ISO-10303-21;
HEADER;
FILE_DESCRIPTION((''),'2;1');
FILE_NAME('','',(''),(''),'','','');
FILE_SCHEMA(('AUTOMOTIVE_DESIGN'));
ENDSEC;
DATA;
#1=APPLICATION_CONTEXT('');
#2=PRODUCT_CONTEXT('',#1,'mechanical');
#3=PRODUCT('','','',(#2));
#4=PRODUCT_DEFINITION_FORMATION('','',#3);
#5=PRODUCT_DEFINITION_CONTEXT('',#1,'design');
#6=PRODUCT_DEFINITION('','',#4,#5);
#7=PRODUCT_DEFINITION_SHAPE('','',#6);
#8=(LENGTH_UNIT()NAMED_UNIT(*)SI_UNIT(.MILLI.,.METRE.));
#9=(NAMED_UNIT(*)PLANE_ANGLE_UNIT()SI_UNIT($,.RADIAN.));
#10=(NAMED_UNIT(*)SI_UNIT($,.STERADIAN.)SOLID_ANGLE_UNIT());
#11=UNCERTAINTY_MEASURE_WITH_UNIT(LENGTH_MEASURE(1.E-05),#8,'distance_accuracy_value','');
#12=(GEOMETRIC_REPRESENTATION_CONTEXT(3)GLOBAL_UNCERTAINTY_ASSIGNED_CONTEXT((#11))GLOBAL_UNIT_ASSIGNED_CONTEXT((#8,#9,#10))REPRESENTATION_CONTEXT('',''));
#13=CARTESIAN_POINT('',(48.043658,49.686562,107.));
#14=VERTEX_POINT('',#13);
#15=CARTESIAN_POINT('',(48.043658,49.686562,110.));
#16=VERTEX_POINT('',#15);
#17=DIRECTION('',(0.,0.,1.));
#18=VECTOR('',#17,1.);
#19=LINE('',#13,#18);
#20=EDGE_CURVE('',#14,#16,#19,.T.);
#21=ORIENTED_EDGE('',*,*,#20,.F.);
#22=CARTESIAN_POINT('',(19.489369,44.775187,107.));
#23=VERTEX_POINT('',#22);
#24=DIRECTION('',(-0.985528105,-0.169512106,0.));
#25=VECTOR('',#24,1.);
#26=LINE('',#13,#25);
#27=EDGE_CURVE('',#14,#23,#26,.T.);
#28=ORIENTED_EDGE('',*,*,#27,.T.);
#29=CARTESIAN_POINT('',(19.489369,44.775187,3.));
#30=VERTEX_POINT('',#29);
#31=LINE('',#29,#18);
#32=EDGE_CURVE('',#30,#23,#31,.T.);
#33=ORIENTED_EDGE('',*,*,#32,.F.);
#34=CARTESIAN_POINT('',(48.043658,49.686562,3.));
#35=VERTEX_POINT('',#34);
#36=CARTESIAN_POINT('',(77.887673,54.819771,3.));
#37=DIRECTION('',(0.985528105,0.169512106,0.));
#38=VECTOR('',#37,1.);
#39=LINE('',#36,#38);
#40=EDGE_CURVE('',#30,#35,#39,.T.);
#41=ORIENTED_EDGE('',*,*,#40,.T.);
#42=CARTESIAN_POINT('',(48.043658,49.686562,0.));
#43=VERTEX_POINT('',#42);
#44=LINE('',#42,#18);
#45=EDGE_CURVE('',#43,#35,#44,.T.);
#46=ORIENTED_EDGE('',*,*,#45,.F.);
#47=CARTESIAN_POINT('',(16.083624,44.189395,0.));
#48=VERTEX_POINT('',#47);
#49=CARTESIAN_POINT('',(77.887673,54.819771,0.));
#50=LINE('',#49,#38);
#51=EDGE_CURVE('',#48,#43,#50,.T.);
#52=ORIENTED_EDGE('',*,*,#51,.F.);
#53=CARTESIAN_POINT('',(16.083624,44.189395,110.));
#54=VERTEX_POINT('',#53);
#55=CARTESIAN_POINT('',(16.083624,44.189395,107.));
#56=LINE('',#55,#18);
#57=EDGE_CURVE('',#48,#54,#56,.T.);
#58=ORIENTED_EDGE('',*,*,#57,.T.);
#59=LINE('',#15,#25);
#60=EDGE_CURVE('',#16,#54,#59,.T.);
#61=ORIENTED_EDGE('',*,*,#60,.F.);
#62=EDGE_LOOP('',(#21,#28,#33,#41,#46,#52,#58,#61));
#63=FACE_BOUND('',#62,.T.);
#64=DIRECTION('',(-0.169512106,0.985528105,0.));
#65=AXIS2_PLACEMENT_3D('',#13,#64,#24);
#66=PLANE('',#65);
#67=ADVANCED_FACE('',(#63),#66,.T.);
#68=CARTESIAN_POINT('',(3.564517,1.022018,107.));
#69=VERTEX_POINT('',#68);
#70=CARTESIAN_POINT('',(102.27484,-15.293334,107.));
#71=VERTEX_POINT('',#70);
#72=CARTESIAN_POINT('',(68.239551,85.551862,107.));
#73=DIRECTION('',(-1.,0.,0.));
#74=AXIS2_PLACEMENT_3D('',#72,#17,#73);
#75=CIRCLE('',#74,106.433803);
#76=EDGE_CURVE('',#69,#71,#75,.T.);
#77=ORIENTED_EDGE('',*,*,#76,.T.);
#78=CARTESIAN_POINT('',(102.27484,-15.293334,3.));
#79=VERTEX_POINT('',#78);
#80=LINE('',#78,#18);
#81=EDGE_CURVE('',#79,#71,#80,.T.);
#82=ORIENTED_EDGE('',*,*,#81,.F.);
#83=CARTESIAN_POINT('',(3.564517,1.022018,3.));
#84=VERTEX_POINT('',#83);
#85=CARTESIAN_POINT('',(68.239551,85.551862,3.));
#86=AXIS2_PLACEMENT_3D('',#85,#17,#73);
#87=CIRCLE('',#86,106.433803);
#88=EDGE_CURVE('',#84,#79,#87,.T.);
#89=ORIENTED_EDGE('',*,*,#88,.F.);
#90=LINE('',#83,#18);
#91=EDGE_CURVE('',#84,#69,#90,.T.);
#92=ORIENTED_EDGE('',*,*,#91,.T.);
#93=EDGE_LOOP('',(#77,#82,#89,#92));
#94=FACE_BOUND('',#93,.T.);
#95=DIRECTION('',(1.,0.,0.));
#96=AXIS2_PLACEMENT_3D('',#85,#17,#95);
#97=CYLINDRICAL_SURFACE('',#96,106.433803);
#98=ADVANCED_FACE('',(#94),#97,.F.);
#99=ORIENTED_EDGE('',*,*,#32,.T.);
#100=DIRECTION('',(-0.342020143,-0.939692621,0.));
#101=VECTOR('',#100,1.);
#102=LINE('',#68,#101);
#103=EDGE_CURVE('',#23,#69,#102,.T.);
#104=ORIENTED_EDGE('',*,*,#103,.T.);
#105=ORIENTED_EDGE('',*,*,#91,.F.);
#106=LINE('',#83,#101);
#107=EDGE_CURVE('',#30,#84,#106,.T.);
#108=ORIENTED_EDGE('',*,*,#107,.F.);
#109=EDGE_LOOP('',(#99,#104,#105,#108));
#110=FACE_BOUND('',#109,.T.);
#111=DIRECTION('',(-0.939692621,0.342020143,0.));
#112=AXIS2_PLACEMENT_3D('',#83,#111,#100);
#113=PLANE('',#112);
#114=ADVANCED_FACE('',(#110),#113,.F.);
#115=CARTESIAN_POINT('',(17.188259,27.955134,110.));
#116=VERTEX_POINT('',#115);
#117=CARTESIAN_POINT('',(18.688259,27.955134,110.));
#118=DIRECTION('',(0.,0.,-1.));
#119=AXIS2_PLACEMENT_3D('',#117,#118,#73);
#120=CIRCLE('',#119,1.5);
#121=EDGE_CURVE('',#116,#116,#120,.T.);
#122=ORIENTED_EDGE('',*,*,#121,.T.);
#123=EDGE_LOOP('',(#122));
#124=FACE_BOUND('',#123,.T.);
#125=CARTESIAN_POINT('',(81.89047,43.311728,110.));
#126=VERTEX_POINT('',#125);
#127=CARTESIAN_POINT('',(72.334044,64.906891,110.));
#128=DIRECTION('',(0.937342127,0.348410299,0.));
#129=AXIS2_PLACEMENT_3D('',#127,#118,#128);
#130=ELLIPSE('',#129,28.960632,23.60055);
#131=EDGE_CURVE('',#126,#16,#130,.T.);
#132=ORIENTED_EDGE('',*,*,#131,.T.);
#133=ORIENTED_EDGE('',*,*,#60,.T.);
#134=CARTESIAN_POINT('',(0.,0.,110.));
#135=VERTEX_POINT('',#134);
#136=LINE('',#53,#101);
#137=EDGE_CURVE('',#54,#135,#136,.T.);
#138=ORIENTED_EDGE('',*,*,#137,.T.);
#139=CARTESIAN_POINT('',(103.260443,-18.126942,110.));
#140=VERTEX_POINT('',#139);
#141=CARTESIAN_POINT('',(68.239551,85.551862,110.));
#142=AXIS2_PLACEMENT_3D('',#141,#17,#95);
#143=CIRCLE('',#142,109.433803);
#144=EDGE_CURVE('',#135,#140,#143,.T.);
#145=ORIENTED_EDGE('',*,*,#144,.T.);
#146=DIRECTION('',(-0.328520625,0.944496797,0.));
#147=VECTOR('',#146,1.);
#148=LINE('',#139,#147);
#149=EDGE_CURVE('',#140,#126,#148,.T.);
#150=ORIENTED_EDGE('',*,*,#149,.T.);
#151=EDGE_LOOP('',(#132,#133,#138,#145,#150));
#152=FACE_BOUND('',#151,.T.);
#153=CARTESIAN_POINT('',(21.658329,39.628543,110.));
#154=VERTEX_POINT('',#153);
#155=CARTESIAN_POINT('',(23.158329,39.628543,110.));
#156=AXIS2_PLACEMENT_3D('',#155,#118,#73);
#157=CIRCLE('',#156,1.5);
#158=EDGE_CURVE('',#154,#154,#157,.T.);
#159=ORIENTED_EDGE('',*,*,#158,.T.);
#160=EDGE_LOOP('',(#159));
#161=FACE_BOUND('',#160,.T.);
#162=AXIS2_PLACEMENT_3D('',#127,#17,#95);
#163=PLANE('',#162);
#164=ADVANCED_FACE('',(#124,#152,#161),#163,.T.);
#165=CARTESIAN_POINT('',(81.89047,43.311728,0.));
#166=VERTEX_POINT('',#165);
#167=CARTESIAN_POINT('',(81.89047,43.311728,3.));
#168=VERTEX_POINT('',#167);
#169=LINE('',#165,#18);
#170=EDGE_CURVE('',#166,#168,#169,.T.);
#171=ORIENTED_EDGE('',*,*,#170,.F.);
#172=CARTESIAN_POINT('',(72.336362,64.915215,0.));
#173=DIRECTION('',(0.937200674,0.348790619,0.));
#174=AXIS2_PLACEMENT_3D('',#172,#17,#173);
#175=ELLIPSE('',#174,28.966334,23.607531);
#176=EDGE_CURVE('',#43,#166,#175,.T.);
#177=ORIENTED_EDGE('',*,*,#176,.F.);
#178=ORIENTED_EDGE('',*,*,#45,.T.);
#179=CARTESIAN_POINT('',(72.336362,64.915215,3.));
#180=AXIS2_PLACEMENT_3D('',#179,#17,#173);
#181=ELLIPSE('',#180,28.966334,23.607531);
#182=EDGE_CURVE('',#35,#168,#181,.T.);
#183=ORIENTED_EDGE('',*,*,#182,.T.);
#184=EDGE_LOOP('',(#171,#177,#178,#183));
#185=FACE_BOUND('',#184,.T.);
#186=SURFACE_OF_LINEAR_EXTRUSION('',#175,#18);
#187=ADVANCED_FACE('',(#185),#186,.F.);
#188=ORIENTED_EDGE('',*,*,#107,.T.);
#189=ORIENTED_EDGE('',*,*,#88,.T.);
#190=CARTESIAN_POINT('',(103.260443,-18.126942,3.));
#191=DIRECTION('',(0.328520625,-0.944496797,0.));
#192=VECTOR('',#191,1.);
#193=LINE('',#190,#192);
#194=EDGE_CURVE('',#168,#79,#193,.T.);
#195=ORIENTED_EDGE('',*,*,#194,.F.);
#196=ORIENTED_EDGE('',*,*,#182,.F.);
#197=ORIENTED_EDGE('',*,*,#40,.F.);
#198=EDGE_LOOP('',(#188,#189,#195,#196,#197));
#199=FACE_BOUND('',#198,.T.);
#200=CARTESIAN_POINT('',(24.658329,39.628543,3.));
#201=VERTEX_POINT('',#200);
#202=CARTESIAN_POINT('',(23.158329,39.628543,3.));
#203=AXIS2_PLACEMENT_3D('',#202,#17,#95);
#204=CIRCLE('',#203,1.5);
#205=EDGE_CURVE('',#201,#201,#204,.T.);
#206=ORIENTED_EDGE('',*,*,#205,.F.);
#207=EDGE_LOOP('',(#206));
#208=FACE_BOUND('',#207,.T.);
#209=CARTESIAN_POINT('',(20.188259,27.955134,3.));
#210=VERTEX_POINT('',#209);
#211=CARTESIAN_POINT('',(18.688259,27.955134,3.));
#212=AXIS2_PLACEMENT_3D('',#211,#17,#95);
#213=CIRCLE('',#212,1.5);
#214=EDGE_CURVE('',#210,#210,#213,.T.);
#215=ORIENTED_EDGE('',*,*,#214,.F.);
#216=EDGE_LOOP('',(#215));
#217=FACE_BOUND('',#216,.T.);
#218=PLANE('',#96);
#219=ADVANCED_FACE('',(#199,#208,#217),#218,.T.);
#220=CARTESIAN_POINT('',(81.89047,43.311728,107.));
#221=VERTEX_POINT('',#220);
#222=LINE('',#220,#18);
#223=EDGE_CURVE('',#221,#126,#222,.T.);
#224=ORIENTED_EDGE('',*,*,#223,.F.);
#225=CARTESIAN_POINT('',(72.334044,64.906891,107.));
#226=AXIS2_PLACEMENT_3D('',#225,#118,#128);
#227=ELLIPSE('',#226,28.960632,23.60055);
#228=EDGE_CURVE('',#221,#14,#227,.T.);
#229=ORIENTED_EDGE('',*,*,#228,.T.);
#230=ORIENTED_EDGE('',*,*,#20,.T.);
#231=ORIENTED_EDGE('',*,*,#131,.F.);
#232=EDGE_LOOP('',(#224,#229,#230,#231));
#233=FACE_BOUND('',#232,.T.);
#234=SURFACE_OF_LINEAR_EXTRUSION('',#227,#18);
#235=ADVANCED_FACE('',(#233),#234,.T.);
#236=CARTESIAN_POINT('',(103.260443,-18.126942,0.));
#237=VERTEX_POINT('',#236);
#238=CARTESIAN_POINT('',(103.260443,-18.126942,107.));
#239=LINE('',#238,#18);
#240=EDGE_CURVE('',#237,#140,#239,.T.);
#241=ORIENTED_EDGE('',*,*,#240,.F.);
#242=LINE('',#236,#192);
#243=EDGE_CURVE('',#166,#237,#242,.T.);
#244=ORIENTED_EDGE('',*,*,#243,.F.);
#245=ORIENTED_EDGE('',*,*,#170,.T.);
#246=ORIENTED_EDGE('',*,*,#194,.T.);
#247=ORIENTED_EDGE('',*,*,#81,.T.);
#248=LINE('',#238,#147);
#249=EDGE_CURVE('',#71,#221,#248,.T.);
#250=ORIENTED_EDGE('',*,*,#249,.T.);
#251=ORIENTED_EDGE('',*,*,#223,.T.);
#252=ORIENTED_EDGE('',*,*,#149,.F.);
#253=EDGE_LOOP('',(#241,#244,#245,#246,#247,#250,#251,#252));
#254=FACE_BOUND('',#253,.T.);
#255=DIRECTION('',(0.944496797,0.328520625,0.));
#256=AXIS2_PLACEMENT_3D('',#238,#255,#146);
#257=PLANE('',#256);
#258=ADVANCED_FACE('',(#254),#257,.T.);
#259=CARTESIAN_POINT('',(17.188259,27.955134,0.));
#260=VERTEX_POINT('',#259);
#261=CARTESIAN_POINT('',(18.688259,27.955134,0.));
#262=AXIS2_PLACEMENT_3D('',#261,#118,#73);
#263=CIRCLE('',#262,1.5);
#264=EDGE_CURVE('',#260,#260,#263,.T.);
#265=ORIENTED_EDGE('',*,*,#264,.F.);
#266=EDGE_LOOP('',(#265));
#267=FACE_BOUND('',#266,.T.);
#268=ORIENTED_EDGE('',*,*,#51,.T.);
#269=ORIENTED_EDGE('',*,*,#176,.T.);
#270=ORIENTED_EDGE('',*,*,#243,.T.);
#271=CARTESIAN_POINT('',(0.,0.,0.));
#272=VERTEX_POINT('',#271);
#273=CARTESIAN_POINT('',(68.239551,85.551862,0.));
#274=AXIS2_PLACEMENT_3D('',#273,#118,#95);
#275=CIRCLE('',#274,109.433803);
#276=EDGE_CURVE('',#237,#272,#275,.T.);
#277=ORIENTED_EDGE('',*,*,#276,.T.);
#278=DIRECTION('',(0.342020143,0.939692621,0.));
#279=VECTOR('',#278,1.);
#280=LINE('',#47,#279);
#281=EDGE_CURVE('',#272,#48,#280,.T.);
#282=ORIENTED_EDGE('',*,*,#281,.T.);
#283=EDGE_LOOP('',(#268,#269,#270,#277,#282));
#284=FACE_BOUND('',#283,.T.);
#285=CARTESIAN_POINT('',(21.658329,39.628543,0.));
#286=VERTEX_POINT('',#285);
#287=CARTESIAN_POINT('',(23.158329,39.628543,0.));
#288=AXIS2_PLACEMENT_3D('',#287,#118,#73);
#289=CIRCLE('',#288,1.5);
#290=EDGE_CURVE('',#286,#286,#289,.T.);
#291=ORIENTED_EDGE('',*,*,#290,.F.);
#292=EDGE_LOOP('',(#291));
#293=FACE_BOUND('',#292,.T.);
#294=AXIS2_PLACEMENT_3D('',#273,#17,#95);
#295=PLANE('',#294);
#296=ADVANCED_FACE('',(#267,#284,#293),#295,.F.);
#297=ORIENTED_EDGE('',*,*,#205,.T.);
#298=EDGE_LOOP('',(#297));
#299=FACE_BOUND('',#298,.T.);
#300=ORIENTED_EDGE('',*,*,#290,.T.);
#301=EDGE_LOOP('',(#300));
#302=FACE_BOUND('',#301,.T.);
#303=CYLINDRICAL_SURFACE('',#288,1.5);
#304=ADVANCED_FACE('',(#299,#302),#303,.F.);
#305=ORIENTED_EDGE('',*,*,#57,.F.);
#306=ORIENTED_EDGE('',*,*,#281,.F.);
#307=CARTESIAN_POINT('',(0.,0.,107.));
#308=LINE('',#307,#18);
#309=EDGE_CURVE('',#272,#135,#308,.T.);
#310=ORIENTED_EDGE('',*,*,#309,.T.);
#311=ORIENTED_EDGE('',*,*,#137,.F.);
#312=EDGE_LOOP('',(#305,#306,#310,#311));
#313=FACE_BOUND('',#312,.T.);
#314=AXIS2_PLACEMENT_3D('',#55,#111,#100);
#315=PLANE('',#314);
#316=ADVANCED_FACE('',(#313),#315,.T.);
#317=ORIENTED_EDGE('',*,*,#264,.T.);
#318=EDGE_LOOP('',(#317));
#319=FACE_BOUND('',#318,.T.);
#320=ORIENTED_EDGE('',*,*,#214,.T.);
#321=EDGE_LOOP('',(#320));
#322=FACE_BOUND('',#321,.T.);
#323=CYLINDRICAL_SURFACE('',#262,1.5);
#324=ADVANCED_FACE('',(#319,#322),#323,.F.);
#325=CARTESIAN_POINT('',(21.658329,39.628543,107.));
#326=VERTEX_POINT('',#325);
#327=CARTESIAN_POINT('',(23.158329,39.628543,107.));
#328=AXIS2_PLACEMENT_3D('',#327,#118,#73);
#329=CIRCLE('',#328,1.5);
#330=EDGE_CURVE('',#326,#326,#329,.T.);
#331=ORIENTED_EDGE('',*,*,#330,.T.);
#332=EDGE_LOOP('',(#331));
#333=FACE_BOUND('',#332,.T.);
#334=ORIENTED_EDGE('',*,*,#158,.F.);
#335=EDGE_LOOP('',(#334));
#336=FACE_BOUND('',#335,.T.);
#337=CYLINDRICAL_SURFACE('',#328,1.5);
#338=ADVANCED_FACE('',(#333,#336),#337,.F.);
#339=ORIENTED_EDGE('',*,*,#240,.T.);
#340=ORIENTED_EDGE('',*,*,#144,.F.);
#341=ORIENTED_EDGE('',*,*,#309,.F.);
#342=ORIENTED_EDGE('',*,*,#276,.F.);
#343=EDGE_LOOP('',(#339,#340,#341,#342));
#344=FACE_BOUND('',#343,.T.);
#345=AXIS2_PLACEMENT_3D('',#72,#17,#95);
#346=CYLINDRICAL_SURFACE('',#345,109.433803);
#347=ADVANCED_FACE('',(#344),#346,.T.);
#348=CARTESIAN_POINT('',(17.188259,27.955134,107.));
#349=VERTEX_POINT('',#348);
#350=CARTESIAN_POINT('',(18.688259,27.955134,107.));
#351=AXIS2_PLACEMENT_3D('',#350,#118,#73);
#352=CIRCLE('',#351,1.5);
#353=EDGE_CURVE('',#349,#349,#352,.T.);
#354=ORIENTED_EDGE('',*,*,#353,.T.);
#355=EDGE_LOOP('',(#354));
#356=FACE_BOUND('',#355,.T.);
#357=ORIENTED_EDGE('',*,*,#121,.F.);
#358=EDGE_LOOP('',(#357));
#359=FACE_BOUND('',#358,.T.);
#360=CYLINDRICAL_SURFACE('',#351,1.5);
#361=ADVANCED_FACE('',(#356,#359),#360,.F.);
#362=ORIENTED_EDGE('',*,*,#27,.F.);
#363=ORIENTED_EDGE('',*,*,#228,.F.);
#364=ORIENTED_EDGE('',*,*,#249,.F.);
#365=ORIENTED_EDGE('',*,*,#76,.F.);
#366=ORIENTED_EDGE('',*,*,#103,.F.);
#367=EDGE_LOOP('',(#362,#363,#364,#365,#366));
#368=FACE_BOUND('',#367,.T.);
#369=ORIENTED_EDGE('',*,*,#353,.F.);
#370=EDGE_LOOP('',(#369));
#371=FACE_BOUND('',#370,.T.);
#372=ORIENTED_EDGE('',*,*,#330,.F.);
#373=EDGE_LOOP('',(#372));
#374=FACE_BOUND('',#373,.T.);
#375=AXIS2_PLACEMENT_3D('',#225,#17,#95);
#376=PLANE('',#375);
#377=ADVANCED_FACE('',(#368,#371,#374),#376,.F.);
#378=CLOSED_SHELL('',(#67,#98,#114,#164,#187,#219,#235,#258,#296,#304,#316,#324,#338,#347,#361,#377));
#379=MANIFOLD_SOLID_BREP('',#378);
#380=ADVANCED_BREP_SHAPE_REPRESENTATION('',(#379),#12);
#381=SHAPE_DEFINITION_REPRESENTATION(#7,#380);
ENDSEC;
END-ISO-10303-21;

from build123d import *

# Parameters (mm, degrees)
EXTRUDE_1_DEPTH           = 3
EXTRUDE_2_DEPTH           = 104
EXTRUDE_3_DEPTH           = 3
CUT_EXTRUDE_1_DEPTH       = 159.483205287
HOLE_WIZARD_3_0_3_1_D     = 3
HOLE_WIZARD_3_0_3_1_DEPTH = 3
HOLE_WIZARD_3_0_3_2_D     = 3
HOLE_WIZARD_3_0_3_2_DEPTH = 110


with BuildPart() as part:
    # 草图1 → 凸台-拉伸1 (new body)
    with BuildSketch(Plane.XY.offset(110)):
        with BuildLine():
            Line((48.043658488, 49.686561818), (16.083624337, 44.189394688))
            Line((16.083624337, 44.189394688), (0, 0))
            ThreePointArc((0, 0), (49.31823123, -22.233763367), (103.260442774, -18.126942356))
            Line((103.260442774, -18.126942356), (81.890470472, 43.311728011))
            add(Edge.make_bspline(
                [(48.043658488, 49.686561818), (60.031404168, 34.166493651), (81.890470472, 43.311728011)],
                knots=[3.390052137, 3.390052137, 3.390052137, 4.76191312, 4.76191312, 4.76191312], degree=2, weights=[1, 0.773830015, 1]))
        make_face()
    extrude(amount=-EXTRUDE_1_DEPTH)

    # 草图2 → 凸台-拉伸2 (add)
    with BuildSketch(Plane(origin=(0, 0, 107), x_dir=(-1, 0, 0), z_dir=(0, 0, -1))):
        with BuildLine():
            Line((-3.564517285, 1.022017551), (-19.489368658, 44.775187108))
            Line((-19.489368658, 44.775187108), (-16.083624337, 44.189394688))
            Line((-16.083624337, 44.189394688), (0, 0))
            ThreePointArc((0, 0), (-49.31823123, -22.233763367), (-103.260442774, -18.126942356))
            Line((-103.260442774, -18.126942356), (-102.274839972, -15.293334302))
            ThreePointArc((-102.274839972, -15.293334302), (-50.883106444, -19.457225166), (-3.564517285, 1.022017551))
        make_face()
    extrude(amount=EXTRUDE_2_DEPTH)

    # 草图3 → 凸台-拉伸3 (add)
    with BuildSketch(Plane(origin=(0, 0, 3), x_dir=(-1, 0, 0), z_dir=(0, 0, -1))):
        with BuildLine():
            Line((-77.887672968, 54.819770834), (-16.083624337, 44.189394688))
            Line((-16.083624337, 44.189394688), (0, 0))
            ThreePointArc((0, 0), (-49.31823123, -22.233763367), (-103.260442774, -18.126942356))
            Line((-103.260442774, -18.126942356), (-77.887672968, 54.819770834))
        make_face()
    extrude(amount=EXTRUDE_3_DEPTH)

    # 草图4 → 切除-拉伸1 (cut, through all)
    with BuildSketch(Plane.XY.offset(3)):
        with BuildLine():
            Line((77.887672968, 54.819770834), (48.043658488, 49.686561818))
            add(Edge.make_bspline(
                [(48.043658488, 49.686561818), (60.032354081, 34.167172902), (81.890470472, 43.311728011)],
                knots=[3.389784889, 3.389784889, 3.389784889, 4.7613973, 4.7613973, 4.7613973], degree=2, weights=[1, 0.773908731, 1]))
            Line((81.890470472, 43.311728011), (77.887672968, 54.819770834))
        make_face()
    extrude(amount=-CUT_EXTRUDE_1_DEPTH, mode=Mode.SUBTRACT)

    # Ø3.0 (3) 直径孔1
    with Locations(Plane(origin=(0, 0, 107), x_dir=(-1, 0, 0), z_dir=(0, 0, -1))):
        with Locations((-18.688258909, 27.955134161), (-23.158328606, 39.628543128)):
            Hole(HOLE_WIZARD_3_0_3_1_D / 2, depth=HOLE_WIZARD_3_0_3_1_DEPTH)

    # Ø3.0 (3) 直径孔2
    with Locations(Plane(origin=(0, 0, 0), x_dir=(-1, 0, 0), z_dir=(0, 0, -1))):
        with Locations((-18.688258909, 27.955134161), (-23.158328606, 39.628543128)):
            Hole(HOLE_WIZARD_3_0_3_2_D / 2, depth=HOLE_WIZARD_3_0_3_2_DEPTH)


solid = part.part
